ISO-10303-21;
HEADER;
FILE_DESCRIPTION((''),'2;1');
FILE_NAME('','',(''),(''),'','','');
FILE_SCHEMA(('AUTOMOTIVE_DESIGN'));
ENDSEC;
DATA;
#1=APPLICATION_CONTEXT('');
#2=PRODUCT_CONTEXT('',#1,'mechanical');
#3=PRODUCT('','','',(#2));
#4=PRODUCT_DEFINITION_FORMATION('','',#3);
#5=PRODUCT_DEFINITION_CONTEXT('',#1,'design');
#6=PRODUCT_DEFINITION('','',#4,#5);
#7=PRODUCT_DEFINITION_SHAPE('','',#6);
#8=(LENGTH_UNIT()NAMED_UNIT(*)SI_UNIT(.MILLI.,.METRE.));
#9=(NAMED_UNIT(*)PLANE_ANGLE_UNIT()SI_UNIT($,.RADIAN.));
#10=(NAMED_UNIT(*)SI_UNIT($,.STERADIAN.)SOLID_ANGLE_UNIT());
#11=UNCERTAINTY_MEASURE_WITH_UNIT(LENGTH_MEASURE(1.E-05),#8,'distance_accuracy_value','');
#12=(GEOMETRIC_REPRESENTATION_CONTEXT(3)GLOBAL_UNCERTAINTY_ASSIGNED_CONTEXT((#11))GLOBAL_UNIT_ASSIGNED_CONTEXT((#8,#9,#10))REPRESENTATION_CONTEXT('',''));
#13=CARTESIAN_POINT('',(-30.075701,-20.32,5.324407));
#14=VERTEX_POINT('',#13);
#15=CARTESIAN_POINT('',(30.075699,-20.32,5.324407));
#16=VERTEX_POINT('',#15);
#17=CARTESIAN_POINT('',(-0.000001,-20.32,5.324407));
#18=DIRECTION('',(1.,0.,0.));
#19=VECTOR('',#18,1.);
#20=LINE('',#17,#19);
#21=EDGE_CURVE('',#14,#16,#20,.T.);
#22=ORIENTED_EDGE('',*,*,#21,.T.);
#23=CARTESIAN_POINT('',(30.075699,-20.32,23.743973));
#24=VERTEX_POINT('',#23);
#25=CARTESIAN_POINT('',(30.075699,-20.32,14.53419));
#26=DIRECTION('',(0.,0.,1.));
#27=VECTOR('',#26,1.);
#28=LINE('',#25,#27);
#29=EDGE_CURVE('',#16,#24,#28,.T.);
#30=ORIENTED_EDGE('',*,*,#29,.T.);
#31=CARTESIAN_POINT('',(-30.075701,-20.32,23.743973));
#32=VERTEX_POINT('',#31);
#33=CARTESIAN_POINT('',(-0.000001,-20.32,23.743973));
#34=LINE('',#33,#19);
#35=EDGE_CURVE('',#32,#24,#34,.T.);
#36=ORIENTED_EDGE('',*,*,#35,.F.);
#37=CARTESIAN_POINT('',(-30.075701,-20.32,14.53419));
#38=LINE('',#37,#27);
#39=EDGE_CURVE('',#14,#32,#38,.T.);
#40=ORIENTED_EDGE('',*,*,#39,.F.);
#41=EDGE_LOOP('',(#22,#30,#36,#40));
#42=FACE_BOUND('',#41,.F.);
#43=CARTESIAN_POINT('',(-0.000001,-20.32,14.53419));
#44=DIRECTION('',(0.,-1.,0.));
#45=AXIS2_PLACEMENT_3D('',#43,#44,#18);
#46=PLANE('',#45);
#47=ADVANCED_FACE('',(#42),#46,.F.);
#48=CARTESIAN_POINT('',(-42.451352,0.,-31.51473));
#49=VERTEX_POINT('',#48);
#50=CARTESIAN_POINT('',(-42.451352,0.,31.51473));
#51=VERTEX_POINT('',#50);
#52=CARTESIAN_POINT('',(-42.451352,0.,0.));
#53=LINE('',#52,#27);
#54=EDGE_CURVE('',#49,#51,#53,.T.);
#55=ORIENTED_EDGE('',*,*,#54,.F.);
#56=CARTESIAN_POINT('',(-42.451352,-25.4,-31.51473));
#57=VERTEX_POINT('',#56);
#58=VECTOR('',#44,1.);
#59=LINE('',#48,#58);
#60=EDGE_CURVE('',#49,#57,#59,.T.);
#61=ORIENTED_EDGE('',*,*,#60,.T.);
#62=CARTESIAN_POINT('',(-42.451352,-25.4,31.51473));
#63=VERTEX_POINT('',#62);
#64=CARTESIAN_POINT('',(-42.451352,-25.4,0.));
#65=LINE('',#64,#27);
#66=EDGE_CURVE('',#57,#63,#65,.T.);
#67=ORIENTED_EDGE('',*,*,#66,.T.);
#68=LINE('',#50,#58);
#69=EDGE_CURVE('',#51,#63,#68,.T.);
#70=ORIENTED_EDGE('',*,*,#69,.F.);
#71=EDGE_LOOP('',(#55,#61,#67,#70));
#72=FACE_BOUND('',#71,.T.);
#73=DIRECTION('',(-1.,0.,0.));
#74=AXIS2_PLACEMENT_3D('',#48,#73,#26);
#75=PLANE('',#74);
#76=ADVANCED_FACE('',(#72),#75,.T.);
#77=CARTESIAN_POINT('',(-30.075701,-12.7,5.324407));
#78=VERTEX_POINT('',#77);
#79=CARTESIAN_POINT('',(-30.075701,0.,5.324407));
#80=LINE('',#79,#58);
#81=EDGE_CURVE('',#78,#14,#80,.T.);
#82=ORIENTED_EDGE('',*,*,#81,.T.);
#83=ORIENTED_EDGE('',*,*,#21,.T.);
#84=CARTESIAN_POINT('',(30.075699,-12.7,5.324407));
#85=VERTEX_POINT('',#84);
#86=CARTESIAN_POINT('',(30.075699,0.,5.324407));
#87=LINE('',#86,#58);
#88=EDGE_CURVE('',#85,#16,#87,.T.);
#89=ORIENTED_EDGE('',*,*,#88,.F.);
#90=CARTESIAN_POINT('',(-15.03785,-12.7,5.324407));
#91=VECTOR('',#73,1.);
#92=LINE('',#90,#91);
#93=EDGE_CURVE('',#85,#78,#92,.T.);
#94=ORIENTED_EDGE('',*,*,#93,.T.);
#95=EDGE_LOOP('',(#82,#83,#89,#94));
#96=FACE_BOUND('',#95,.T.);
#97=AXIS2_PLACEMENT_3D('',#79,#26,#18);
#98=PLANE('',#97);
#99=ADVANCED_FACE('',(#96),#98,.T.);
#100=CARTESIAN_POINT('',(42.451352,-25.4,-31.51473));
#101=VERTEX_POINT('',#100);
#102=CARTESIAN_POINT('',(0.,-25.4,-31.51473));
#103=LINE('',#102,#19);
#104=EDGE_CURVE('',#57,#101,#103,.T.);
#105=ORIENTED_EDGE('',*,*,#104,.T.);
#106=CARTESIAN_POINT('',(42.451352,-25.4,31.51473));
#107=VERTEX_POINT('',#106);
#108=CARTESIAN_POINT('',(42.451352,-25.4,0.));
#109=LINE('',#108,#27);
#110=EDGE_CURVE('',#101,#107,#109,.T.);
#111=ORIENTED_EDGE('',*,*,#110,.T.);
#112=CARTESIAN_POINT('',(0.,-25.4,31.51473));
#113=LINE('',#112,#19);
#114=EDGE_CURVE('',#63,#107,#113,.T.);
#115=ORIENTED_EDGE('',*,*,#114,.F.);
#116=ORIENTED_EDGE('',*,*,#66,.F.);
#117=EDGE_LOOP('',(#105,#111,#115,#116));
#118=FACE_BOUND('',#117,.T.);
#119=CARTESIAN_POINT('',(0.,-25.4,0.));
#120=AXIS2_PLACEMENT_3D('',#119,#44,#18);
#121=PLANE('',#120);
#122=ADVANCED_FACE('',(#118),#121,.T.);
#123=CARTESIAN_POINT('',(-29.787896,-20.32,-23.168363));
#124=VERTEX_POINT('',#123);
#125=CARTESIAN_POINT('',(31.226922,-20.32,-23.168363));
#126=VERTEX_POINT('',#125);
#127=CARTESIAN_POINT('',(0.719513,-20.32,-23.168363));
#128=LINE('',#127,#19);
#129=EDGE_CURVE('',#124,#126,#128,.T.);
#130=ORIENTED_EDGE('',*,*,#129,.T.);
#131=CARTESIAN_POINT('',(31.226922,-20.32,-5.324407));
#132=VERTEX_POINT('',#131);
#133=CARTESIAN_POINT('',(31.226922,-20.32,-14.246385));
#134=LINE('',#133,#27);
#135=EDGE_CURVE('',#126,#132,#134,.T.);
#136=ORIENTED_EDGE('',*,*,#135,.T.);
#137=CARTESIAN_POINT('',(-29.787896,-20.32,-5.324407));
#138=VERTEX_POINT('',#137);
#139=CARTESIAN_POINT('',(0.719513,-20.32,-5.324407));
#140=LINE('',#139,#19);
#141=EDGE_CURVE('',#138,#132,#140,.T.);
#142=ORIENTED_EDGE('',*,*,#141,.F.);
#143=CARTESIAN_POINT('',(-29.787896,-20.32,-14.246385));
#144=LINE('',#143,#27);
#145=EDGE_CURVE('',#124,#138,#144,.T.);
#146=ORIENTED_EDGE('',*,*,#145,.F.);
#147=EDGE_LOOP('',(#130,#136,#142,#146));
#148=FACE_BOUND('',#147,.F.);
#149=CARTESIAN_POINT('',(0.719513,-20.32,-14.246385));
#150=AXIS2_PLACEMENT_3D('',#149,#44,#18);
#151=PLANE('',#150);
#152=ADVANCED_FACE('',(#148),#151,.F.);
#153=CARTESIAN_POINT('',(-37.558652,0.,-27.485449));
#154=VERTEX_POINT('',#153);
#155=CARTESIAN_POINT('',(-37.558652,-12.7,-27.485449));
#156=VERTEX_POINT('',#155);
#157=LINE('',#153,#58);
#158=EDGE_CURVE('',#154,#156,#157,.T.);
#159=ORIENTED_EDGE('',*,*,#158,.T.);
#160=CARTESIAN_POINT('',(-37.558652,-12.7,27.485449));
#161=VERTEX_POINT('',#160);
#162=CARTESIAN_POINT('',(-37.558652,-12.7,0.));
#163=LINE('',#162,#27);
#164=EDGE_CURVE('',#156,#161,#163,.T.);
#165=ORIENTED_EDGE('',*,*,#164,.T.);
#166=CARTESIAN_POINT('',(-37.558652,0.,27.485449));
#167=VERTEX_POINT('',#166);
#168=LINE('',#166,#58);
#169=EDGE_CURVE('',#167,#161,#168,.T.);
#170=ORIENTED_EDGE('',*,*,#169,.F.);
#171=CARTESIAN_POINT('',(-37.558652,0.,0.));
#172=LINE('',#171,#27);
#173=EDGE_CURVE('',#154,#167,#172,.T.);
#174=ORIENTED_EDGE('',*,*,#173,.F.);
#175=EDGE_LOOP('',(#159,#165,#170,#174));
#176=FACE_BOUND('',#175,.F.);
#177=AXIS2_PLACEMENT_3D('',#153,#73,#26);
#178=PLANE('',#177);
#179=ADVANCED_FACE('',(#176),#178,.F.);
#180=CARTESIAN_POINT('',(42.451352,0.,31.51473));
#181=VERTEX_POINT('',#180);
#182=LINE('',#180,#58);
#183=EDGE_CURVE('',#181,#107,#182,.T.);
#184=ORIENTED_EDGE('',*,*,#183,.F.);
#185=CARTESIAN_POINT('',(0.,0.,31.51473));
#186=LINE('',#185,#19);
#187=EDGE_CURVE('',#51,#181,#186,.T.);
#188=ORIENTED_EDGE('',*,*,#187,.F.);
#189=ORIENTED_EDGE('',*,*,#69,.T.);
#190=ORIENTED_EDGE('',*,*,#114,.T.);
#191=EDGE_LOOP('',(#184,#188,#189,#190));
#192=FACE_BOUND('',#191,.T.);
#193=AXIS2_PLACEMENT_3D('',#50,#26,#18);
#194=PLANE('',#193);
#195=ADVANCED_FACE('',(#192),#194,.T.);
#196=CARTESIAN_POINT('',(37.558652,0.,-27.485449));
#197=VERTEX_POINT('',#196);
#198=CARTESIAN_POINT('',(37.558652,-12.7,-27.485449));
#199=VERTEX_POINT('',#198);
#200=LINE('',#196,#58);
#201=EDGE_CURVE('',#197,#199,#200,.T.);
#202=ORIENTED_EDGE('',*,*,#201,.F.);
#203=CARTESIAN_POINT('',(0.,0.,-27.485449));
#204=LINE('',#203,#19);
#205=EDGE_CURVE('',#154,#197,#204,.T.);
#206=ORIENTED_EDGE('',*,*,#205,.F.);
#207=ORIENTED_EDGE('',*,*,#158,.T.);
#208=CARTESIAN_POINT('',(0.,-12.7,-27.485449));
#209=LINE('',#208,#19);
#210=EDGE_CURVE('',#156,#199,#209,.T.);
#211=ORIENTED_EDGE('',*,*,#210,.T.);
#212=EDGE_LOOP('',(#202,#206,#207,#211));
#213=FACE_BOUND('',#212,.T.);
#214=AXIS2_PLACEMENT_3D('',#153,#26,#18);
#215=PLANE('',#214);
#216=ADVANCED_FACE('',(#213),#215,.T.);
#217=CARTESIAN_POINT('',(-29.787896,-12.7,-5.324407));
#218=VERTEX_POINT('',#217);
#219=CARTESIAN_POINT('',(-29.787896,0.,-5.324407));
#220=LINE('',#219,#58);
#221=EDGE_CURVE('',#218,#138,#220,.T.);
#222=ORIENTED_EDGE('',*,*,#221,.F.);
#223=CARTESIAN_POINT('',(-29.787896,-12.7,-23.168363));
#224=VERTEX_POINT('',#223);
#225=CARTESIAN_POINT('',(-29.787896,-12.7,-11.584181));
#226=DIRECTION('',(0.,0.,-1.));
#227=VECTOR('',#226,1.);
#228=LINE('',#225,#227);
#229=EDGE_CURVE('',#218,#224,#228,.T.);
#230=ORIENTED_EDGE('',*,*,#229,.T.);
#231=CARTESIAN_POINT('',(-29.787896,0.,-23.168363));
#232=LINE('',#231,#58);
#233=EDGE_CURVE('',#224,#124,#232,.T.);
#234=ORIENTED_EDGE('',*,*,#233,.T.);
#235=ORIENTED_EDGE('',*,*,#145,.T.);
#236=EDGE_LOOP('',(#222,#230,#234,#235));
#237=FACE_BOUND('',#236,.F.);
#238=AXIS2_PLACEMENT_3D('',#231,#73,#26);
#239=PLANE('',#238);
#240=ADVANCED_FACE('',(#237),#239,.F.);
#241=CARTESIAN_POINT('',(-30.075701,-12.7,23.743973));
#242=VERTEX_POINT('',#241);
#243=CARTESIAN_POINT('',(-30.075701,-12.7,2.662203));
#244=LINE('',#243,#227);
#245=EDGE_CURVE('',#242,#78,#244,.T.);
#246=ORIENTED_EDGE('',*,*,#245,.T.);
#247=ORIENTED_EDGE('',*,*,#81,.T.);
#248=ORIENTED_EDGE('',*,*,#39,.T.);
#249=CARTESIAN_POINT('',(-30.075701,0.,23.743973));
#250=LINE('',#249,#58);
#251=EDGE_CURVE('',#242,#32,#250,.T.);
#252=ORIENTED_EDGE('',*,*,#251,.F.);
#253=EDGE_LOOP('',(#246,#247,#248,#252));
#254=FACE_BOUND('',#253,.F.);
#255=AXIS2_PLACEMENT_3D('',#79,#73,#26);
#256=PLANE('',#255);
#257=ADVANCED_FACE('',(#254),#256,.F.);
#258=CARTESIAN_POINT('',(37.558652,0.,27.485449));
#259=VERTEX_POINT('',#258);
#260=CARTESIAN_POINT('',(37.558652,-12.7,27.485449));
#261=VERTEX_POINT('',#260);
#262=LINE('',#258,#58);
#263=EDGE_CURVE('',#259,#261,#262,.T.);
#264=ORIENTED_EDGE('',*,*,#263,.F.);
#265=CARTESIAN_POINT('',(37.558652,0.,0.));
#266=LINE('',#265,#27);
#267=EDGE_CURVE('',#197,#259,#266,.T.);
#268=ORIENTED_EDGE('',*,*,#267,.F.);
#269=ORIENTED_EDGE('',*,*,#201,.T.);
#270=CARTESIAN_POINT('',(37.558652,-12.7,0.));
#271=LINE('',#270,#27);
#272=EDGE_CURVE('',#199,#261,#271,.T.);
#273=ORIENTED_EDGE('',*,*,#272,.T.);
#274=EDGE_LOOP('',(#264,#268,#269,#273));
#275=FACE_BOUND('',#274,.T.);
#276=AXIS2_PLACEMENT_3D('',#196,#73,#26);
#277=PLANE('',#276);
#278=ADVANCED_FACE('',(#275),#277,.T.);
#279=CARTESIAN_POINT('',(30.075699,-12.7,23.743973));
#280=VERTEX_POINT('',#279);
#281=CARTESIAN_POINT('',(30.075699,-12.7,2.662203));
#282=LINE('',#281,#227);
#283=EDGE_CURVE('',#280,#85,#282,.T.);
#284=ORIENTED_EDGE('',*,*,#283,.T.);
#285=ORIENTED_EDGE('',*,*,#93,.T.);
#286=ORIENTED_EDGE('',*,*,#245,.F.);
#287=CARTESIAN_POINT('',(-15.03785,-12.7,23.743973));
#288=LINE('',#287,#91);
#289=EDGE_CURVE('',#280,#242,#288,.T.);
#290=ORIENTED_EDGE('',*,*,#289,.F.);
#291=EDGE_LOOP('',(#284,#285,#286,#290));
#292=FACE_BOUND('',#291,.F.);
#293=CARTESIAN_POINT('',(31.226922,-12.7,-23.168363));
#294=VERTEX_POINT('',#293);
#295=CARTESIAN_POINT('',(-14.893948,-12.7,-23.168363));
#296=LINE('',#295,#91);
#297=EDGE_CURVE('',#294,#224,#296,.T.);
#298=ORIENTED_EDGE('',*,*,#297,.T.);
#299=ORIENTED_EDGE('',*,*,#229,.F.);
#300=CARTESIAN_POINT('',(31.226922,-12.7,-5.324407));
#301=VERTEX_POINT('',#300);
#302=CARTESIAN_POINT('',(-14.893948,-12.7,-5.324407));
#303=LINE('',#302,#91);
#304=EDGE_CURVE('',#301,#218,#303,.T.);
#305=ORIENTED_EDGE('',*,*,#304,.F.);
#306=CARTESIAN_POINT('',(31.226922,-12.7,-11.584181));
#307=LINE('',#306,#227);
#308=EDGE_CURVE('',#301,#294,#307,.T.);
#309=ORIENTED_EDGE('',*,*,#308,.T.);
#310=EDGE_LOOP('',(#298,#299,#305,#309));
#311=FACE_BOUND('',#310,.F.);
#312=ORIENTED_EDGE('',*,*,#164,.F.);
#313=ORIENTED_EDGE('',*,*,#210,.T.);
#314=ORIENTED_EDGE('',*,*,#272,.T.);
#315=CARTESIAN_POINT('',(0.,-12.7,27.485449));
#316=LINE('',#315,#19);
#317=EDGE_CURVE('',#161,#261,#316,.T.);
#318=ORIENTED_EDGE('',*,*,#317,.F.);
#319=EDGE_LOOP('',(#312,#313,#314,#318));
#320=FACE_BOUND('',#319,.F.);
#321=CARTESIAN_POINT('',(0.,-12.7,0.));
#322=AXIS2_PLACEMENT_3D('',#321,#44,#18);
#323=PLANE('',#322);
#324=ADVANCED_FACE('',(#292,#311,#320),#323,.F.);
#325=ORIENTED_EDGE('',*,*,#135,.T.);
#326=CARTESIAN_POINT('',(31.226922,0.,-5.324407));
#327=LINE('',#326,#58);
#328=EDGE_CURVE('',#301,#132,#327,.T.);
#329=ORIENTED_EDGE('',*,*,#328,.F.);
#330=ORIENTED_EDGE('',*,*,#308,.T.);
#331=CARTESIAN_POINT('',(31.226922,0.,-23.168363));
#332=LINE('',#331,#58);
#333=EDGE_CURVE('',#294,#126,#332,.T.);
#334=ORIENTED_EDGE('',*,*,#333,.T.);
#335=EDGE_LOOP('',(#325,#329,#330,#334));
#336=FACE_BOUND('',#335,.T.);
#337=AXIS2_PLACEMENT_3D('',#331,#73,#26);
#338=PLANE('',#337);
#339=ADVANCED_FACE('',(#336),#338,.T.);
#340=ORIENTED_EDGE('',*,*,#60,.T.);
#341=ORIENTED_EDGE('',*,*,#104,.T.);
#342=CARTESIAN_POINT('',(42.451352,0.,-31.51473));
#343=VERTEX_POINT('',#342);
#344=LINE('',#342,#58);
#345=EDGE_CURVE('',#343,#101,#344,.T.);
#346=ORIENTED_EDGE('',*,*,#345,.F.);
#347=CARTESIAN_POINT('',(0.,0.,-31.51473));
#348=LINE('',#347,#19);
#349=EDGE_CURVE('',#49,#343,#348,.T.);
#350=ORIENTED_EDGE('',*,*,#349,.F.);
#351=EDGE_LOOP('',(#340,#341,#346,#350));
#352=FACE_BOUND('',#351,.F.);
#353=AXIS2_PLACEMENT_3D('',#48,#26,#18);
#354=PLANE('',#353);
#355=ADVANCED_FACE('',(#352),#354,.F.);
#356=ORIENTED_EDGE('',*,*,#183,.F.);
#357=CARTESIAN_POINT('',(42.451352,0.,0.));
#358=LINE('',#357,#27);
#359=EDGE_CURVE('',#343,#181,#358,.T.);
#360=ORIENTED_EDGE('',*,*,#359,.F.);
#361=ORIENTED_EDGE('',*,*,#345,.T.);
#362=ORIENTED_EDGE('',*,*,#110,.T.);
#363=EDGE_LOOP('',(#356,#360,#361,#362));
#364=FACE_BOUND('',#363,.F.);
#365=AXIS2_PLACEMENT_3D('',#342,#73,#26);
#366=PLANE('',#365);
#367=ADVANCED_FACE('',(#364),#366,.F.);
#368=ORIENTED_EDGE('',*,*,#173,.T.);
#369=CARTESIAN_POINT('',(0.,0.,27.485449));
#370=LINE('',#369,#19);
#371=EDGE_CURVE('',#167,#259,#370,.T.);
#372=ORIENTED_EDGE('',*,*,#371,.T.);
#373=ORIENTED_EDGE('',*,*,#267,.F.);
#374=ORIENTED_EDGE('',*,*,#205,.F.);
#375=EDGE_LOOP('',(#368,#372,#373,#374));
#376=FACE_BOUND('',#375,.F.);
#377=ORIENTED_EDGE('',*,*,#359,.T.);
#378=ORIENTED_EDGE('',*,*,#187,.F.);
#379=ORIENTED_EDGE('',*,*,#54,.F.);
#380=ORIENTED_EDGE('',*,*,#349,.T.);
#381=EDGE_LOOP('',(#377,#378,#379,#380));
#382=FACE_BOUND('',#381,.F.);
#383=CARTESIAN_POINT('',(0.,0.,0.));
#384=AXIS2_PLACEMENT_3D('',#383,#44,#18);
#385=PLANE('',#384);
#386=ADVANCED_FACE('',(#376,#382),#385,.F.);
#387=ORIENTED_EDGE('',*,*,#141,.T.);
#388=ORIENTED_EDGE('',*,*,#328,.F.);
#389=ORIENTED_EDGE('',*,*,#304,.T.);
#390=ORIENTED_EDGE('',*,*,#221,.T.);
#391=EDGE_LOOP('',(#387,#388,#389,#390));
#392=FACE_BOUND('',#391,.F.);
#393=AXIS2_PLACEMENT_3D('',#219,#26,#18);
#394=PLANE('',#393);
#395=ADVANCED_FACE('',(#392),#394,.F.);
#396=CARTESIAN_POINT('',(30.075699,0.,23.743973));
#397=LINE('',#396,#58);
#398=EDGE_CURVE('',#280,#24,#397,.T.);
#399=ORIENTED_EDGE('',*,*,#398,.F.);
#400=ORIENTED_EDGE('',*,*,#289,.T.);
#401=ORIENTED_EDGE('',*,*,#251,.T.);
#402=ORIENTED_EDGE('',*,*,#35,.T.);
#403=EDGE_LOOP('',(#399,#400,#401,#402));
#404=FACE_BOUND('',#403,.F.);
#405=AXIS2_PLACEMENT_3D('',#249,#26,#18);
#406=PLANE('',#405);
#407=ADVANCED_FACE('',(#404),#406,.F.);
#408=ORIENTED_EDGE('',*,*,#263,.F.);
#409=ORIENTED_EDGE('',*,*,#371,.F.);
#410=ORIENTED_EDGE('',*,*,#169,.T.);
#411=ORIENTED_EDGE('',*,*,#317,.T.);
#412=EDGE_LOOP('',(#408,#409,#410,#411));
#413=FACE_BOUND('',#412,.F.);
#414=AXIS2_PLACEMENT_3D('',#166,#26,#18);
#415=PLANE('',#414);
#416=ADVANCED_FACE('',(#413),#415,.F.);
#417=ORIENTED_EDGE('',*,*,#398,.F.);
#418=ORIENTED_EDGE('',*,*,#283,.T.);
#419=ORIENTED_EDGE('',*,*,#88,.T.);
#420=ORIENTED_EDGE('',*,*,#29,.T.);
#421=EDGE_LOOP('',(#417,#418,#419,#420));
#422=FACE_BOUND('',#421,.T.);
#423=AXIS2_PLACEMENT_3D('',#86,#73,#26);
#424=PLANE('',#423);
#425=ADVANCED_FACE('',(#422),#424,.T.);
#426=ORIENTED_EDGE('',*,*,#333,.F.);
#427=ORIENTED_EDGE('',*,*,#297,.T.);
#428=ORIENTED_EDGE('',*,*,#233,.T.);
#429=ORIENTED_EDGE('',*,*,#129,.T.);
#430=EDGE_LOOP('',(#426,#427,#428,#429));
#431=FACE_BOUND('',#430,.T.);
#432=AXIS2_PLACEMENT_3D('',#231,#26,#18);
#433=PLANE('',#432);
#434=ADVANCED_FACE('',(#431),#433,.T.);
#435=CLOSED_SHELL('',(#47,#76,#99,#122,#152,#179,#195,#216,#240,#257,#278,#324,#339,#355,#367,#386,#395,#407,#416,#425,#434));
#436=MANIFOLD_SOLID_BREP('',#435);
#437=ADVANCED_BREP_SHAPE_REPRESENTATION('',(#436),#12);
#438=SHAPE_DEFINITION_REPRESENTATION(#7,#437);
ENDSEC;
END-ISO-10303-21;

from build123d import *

# Parameters (mm, degrees)
F0_W     = 84.902704
F0_H     = 63.02946
F0_W_2   = 75.117304
F0_H_2   = 54.970898
F0_W_3   = 61.014818
F0_H_3   = 17.843956
F0_W_4   = 60.1514
F0_H_4   = 18.419567
F1_DEPTH = 25.4
F2_DEPTH = 12.7
F3_DEPTH = 20.32


with BuildPart() as f1:
    # F0 (on Front) → F1 (new body)
    with BuildSketch(Plane.XZ):
        Rectangle(F0_W, F0_H)
        Rectangle(F0_W_2, F0_H_2, mode=Mode.SUBTRACT)
        Rectangle(F0_W_2, F0_H_2)
        with Locations((0.719513, -14.246385)):
            Rectangle(F0_W_3, F0_H_3, mode=Mode.SUBTRACT)
        with Locations((-1e-06, 14.53419)):
            Rectangle(F0_W_4, F0_H_4, mode=Mode.SUBTRACT)
        with Locations((-1e-06, 14.53419)):
            Rectangle(F0_W_4, F0_H_4)
        with Locations((0.719513, -14.246385)):
            Rectangle(F0_W_3, F0_H_3)
    extrude(amount=F1_DEPTH)

    # F0 (on Front) → F2 (cut)
    with BuildSketch(Plane.XZ):
        Rectangle(F0_W_2, F0_H_2)
        with Locations((0.719513, -14.246385)):
            Rectangle(F0_W_3, F0_H_3, mode=Mode.SUBTRACT)
        with Locations((-1e-06, 14.53419)):
            Rectangle(F0_W_4, F0_H_4, mode=Mode.SUBTRACT)
        with Locations((-1e-06, 14.53419)):
            Rectangle(F0_W_4, F0_H_4)
        with Locations((0.719513, -14.246385)):
            Rectangle(F0_W_3, F0_H_3)
    extrude(amount=F2_DEPTH, mode=Mode.SUBTRACT)

    # F0 (on Front) → F3 (cut)
    with BuildSketch(Plane.XZ):
        with Locations((-1e-06, 14.53419)):
            Rectangle(F0_W_4, F0_H_4)
        with Locations((0.719513, -14.246385)):
            Rectangle(F0_W_3, F0_H_3)
    extrude(amount=F3_DEPTH, mode=Mode.SUBTRACT)


solid = f1.part
